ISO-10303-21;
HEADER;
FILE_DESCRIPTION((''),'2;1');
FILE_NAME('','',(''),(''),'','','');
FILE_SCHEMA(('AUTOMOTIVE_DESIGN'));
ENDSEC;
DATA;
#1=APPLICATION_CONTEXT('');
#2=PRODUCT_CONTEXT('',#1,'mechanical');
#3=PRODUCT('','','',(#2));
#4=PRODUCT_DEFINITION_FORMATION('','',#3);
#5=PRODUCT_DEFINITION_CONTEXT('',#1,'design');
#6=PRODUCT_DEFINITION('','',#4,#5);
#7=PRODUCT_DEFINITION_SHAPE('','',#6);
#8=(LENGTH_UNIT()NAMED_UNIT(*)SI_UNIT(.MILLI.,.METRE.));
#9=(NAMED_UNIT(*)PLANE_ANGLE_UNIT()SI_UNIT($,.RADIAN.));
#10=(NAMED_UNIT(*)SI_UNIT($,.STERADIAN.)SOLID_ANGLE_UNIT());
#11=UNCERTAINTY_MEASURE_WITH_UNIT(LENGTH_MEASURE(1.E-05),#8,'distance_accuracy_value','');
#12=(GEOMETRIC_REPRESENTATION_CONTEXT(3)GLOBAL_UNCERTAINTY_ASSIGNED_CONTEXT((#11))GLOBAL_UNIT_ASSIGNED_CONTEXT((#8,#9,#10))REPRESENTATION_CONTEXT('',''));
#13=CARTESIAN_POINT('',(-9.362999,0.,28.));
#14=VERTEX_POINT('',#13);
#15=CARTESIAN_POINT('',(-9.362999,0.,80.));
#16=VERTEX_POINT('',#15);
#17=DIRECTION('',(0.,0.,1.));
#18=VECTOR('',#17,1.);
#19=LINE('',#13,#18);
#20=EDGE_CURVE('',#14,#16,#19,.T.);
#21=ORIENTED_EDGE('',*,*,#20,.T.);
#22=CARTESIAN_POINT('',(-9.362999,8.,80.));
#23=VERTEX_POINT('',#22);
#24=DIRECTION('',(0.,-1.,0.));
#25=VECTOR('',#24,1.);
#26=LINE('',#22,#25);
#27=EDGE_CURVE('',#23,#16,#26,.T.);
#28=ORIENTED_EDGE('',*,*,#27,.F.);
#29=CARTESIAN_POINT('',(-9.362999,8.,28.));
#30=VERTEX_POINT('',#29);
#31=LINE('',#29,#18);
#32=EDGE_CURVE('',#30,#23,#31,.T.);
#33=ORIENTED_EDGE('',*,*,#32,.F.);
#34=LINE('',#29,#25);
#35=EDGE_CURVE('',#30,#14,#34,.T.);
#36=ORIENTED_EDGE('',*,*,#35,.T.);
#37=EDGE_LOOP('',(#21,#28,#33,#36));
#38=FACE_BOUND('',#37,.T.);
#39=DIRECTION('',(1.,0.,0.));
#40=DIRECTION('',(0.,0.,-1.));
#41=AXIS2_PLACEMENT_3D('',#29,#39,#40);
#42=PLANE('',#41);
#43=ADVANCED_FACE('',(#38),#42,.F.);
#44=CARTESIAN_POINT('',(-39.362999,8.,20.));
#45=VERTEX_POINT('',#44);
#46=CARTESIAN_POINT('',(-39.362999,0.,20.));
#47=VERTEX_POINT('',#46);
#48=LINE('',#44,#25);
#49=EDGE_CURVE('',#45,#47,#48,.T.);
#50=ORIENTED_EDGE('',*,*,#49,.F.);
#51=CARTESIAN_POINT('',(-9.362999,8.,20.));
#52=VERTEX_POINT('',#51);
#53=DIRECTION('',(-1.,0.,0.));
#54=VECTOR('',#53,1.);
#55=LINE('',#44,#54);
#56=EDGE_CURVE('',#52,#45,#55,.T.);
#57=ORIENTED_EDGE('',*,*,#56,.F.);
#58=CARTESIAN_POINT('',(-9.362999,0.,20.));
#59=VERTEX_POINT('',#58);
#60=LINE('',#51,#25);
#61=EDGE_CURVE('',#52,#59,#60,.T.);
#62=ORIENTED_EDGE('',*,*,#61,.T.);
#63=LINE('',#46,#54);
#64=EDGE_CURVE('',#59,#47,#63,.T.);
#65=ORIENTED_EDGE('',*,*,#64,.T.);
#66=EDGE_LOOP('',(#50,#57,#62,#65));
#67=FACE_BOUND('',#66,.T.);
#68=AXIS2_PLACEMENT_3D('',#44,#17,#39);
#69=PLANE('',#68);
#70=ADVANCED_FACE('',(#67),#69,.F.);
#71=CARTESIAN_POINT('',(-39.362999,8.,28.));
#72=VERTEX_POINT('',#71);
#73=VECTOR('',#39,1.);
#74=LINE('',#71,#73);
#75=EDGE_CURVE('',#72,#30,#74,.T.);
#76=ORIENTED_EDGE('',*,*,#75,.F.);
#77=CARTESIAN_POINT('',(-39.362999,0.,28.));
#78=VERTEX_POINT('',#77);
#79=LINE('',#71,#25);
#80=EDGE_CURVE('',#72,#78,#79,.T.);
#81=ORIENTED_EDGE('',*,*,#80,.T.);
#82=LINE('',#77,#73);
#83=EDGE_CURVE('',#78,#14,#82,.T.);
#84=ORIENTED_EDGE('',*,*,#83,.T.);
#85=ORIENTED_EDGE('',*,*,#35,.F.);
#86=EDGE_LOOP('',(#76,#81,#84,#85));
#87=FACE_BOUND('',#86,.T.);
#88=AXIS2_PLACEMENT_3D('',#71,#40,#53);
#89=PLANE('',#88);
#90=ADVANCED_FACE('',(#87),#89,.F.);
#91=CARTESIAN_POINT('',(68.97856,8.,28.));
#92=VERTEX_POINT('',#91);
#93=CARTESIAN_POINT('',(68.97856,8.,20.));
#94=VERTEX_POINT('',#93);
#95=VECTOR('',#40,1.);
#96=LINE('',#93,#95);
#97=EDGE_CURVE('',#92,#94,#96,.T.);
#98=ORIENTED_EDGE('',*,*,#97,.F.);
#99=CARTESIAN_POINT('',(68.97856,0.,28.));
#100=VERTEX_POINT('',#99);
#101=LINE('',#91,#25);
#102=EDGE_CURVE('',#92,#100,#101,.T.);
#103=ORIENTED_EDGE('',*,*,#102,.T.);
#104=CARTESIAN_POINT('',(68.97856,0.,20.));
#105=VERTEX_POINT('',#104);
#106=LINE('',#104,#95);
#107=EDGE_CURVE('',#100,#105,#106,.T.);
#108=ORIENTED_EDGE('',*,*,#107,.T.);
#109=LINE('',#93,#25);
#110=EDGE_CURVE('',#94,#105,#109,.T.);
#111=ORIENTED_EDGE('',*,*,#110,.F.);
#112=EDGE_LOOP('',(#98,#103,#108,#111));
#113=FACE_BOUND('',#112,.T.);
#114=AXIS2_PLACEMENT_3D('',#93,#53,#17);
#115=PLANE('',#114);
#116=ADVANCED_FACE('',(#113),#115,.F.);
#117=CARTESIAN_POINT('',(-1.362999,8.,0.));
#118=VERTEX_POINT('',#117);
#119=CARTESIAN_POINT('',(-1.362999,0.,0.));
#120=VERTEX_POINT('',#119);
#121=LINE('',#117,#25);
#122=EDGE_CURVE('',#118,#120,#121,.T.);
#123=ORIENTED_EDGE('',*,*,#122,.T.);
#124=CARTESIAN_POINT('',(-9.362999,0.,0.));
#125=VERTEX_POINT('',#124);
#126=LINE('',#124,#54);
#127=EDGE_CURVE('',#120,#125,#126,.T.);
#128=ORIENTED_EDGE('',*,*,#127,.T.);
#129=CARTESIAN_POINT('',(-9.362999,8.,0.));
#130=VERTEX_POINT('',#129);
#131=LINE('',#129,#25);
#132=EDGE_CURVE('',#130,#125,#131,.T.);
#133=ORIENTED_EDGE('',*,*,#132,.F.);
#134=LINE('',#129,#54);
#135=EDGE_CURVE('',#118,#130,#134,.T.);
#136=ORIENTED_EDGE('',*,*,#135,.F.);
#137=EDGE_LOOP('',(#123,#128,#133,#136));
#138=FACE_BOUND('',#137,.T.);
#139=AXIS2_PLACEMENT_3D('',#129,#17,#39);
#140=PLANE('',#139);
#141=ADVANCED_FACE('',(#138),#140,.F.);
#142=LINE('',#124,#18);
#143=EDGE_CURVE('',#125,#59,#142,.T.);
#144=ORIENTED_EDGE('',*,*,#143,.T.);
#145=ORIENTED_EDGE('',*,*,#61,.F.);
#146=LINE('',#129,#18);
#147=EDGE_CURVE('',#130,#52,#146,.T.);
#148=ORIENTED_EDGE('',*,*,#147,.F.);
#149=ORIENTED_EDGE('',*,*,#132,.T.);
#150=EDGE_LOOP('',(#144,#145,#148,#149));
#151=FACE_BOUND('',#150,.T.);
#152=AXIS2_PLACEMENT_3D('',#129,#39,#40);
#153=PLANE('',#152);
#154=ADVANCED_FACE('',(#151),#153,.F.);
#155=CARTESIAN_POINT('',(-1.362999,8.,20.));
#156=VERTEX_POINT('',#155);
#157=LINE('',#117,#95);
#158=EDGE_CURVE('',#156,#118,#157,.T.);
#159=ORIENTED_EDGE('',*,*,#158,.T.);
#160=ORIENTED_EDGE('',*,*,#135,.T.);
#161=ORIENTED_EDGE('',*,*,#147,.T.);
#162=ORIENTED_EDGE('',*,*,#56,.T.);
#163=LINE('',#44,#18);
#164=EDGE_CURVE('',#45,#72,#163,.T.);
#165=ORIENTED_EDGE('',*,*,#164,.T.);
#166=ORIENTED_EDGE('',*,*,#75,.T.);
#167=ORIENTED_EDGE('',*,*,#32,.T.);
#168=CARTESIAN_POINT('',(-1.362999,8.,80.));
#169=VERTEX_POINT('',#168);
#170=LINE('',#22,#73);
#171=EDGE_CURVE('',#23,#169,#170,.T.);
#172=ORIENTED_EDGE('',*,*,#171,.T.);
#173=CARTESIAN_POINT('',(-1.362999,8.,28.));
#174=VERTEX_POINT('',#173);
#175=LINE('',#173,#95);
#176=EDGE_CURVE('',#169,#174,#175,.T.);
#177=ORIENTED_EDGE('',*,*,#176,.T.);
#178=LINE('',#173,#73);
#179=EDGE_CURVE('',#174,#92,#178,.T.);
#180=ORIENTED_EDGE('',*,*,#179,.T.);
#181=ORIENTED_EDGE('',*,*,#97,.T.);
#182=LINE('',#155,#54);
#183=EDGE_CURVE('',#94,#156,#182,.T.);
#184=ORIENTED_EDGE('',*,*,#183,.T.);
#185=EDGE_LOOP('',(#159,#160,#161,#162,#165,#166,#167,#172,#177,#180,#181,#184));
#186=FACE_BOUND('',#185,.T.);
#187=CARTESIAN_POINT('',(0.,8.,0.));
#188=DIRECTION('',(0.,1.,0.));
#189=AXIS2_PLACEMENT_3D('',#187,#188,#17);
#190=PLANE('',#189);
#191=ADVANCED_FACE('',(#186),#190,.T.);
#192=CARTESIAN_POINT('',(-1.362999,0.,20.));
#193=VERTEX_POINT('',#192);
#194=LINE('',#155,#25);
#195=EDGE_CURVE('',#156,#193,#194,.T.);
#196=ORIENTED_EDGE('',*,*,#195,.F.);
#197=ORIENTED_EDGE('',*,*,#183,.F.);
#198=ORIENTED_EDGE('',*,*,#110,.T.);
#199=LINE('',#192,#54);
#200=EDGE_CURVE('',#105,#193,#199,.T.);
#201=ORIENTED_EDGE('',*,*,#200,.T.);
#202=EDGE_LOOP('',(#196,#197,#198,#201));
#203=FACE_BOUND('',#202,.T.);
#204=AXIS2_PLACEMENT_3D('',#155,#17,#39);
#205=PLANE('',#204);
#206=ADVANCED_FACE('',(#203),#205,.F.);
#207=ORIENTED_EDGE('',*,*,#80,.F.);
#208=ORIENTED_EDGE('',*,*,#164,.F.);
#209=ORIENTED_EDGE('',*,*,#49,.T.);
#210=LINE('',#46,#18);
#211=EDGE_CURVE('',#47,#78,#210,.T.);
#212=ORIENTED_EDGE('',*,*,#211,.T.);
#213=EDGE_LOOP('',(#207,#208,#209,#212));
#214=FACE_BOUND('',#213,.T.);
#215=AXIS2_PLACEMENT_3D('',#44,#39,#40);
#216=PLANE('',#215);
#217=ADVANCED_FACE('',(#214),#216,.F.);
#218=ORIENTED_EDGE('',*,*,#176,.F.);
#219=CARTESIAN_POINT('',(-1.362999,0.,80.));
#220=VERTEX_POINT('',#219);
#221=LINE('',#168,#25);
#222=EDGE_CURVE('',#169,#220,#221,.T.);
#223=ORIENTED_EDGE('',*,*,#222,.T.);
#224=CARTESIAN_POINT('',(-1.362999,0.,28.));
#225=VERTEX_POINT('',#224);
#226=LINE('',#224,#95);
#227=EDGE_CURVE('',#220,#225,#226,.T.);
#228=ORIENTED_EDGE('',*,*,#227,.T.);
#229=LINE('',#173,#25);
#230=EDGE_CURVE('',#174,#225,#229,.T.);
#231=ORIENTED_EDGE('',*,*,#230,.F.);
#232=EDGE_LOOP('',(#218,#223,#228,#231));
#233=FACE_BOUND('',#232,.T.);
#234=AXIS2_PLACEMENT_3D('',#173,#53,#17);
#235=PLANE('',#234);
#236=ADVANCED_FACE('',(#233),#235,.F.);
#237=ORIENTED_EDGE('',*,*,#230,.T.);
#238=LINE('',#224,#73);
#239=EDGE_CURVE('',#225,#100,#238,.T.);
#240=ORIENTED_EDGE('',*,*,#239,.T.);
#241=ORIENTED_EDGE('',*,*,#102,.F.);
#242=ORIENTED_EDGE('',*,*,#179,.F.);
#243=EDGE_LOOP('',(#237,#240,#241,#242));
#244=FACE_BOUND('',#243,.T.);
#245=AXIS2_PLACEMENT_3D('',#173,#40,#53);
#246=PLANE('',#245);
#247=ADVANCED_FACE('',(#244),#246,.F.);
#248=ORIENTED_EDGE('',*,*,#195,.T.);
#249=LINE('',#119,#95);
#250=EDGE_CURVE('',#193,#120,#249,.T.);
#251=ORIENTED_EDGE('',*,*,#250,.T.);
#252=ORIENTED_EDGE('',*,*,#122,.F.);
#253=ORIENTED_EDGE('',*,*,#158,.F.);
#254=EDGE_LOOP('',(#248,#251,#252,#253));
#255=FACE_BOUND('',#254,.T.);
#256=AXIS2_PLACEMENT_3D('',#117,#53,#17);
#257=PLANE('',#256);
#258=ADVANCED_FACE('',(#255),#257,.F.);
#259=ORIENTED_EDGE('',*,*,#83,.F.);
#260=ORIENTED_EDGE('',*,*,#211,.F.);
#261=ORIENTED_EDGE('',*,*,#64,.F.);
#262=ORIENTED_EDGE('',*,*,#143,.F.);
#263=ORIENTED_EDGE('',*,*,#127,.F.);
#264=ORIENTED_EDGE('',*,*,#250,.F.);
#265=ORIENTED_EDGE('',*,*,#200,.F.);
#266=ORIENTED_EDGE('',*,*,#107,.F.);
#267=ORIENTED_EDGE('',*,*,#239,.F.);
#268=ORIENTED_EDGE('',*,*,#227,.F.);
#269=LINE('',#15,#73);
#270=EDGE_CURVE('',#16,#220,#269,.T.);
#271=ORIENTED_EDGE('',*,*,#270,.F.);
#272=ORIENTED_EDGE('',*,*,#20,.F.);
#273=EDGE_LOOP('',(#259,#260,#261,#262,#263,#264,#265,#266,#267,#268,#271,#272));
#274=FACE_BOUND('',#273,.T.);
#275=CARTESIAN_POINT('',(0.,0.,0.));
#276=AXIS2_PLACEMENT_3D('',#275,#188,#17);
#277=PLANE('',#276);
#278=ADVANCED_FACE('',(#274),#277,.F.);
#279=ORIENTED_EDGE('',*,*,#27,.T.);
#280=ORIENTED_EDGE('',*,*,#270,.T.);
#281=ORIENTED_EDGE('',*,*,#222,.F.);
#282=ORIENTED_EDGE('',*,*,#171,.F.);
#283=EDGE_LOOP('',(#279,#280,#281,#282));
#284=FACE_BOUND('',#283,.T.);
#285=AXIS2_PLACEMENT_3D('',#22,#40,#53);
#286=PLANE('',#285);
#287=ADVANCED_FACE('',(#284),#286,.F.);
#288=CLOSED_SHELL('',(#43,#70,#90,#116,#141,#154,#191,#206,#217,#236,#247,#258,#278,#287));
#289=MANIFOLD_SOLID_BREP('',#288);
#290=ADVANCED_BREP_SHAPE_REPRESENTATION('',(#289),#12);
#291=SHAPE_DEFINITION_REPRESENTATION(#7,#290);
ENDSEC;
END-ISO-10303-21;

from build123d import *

# Parameters (mm, degrees)
BOSS_EXTRUDE1_DEPTH = 8


with BuildPart() as part:
    # Sketch1 → Boss-Extrude1 (new body)
    with BuildSketch(Plane(origin=(0, 0, 0), x_dir=(1, 0, 0), z_dir=(0, 1, 0))):
        Polygon((-9.362999404, -28), (-9.362999404, -80), (-1.362999404, -80), (-1.362999404, -28), (68.978559736, -28), (68.978559736, -20), (-1.362999404, -20), (-1.362999404, 0), (-9.362999404, 0), (-9.362999404, -20), (-39.362999404, -20), (-39.362999404, -28), align=None)
    extrude(amount=BOSS_EXTRUDE1_DEPTH)


solid = part.part
